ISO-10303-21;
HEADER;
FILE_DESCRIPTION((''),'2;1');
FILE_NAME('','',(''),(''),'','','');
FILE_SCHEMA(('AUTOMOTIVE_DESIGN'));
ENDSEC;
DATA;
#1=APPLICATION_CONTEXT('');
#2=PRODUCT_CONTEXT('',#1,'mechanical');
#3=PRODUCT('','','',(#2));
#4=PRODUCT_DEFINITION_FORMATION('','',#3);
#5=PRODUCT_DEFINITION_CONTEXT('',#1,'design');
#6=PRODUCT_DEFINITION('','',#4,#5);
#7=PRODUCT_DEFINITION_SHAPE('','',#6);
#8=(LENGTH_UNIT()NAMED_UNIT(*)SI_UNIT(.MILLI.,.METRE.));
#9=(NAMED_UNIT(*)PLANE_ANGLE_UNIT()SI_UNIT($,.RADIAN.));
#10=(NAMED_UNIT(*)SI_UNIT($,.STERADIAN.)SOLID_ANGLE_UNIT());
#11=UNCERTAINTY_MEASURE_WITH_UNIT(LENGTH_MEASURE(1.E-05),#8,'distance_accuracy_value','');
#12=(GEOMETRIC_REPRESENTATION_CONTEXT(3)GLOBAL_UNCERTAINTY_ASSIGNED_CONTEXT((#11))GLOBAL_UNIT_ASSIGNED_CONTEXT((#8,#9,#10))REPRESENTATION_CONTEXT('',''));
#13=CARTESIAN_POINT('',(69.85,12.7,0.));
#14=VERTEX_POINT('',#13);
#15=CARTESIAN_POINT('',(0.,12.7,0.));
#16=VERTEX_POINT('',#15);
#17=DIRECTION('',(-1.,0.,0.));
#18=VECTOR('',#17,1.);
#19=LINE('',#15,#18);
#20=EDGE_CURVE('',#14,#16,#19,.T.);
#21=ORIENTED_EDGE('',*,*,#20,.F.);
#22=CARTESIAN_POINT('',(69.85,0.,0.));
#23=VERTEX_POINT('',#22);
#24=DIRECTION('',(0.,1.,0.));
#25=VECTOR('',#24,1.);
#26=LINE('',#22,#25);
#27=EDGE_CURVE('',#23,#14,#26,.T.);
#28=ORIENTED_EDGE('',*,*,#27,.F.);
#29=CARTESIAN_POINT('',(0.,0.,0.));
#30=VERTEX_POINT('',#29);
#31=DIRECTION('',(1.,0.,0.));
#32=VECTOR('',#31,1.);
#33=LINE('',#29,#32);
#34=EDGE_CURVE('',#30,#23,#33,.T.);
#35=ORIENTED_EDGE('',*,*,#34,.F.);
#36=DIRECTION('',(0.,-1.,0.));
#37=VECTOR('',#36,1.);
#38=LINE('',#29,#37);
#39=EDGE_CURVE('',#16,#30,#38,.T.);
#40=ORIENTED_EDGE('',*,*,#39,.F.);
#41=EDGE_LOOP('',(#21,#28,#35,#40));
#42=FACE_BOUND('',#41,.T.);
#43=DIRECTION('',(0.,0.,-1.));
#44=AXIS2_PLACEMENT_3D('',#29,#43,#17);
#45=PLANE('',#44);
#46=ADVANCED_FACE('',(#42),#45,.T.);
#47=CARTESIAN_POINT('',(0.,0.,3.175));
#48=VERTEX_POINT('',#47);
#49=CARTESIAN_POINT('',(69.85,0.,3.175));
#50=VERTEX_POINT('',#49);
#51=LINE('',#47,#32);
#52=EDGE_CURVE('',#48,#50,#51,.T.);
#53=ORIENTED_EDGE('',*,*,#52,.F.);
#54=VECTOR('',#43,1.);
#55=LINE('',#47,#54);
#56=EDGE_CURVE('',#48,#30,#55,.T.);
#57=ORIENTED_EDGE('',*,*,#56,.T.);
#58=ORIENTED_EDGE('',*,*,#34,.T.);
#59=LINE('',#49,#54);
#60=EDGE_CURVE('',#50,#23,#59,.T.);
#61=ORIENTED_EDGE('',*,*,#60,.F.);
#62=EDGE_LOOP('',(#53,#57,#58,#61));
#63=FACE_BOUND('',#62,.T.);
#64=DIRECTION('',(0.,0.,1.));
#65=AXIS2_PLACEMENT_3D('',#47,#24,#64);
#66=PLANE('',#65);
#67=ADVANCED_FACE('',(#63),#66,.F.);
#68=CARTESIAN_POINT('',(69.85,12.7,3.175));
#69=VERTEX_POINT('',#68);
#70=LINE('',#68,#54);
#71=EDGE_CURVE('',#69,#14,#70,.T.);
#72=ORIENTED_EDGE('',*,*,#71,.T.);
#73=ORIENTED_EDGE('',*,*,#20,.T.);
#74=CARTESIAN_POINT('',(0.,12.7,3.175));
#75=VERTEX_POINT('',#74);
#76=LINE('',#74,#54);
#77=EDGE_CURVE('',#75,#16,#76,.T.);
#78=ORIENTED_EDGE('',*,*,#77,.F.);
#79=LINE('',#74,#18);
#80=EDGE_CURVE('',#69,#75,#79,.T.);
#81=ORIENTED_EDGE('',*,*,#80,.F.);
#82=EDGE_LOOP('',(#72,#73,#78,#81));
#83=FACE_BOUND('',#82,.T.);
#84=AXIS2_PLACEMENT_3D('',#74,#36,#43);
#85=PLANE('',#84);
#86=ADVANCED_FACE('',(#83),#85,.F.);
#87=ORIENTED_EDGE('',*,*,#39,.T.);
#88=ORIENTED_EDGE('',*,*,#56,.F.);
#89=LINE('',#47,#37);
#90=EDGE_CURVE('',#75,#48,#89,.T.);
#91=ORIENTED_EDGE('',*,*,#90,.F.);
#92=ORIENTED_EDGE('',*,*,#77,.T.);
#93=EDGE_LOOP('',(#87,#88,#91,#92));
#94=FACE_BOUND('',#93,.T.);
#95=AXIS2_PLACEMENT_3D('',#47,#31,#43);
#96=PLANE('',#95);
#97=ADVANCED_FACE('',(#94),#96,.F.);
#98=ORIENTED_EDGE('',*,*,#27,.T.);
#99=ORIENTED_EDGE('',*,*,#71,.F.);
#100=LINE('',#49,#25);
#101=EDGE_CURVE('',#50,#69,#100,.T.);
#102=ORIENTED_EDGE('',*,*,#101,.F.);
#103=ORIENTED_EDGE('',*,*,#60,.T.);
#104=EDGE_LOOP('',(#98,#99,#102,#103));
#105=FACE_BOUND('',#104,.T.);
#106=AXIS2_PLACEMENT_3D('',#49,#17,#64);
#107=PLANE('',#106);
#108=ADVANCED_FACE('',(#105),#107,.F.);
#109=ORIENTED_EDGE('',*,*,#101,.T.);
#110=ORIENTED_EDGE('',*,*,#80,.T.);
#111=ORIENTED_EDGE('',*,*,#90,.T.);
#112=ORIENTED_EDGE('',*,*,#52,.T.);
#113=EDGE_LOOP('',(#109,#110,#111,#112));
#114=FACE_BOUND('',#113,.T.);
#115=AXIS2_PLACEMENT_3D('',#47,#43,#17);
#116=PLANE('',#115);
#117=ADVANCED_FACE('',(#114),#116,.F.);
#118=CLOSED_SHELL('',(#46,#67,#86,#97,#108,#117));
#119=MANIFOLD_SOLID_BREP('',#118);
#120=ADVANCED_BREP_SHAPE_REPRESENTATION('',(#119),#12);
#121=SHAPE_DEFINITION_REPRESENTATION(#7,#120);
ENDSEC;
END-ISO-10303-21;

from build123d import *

# Parameters (mm, degrees)
SKETCH1_W           = 69.85
SKETCH1_H           = 12.7
BOSS_EXTRUDE1_DEPTH = 3.175


with BuildPart() as part:
    # Sketch1 → Boss-Extrude1 (new body)
    with BuildSketch(Plane.XY):
        with Locations((34.925, 6.35)):
            Rectangle(SKETCH1_W, SKETCH1_H)
    extrude(amount=BOSS_EXTRUDE1_DEPTH)


solid = part.part
